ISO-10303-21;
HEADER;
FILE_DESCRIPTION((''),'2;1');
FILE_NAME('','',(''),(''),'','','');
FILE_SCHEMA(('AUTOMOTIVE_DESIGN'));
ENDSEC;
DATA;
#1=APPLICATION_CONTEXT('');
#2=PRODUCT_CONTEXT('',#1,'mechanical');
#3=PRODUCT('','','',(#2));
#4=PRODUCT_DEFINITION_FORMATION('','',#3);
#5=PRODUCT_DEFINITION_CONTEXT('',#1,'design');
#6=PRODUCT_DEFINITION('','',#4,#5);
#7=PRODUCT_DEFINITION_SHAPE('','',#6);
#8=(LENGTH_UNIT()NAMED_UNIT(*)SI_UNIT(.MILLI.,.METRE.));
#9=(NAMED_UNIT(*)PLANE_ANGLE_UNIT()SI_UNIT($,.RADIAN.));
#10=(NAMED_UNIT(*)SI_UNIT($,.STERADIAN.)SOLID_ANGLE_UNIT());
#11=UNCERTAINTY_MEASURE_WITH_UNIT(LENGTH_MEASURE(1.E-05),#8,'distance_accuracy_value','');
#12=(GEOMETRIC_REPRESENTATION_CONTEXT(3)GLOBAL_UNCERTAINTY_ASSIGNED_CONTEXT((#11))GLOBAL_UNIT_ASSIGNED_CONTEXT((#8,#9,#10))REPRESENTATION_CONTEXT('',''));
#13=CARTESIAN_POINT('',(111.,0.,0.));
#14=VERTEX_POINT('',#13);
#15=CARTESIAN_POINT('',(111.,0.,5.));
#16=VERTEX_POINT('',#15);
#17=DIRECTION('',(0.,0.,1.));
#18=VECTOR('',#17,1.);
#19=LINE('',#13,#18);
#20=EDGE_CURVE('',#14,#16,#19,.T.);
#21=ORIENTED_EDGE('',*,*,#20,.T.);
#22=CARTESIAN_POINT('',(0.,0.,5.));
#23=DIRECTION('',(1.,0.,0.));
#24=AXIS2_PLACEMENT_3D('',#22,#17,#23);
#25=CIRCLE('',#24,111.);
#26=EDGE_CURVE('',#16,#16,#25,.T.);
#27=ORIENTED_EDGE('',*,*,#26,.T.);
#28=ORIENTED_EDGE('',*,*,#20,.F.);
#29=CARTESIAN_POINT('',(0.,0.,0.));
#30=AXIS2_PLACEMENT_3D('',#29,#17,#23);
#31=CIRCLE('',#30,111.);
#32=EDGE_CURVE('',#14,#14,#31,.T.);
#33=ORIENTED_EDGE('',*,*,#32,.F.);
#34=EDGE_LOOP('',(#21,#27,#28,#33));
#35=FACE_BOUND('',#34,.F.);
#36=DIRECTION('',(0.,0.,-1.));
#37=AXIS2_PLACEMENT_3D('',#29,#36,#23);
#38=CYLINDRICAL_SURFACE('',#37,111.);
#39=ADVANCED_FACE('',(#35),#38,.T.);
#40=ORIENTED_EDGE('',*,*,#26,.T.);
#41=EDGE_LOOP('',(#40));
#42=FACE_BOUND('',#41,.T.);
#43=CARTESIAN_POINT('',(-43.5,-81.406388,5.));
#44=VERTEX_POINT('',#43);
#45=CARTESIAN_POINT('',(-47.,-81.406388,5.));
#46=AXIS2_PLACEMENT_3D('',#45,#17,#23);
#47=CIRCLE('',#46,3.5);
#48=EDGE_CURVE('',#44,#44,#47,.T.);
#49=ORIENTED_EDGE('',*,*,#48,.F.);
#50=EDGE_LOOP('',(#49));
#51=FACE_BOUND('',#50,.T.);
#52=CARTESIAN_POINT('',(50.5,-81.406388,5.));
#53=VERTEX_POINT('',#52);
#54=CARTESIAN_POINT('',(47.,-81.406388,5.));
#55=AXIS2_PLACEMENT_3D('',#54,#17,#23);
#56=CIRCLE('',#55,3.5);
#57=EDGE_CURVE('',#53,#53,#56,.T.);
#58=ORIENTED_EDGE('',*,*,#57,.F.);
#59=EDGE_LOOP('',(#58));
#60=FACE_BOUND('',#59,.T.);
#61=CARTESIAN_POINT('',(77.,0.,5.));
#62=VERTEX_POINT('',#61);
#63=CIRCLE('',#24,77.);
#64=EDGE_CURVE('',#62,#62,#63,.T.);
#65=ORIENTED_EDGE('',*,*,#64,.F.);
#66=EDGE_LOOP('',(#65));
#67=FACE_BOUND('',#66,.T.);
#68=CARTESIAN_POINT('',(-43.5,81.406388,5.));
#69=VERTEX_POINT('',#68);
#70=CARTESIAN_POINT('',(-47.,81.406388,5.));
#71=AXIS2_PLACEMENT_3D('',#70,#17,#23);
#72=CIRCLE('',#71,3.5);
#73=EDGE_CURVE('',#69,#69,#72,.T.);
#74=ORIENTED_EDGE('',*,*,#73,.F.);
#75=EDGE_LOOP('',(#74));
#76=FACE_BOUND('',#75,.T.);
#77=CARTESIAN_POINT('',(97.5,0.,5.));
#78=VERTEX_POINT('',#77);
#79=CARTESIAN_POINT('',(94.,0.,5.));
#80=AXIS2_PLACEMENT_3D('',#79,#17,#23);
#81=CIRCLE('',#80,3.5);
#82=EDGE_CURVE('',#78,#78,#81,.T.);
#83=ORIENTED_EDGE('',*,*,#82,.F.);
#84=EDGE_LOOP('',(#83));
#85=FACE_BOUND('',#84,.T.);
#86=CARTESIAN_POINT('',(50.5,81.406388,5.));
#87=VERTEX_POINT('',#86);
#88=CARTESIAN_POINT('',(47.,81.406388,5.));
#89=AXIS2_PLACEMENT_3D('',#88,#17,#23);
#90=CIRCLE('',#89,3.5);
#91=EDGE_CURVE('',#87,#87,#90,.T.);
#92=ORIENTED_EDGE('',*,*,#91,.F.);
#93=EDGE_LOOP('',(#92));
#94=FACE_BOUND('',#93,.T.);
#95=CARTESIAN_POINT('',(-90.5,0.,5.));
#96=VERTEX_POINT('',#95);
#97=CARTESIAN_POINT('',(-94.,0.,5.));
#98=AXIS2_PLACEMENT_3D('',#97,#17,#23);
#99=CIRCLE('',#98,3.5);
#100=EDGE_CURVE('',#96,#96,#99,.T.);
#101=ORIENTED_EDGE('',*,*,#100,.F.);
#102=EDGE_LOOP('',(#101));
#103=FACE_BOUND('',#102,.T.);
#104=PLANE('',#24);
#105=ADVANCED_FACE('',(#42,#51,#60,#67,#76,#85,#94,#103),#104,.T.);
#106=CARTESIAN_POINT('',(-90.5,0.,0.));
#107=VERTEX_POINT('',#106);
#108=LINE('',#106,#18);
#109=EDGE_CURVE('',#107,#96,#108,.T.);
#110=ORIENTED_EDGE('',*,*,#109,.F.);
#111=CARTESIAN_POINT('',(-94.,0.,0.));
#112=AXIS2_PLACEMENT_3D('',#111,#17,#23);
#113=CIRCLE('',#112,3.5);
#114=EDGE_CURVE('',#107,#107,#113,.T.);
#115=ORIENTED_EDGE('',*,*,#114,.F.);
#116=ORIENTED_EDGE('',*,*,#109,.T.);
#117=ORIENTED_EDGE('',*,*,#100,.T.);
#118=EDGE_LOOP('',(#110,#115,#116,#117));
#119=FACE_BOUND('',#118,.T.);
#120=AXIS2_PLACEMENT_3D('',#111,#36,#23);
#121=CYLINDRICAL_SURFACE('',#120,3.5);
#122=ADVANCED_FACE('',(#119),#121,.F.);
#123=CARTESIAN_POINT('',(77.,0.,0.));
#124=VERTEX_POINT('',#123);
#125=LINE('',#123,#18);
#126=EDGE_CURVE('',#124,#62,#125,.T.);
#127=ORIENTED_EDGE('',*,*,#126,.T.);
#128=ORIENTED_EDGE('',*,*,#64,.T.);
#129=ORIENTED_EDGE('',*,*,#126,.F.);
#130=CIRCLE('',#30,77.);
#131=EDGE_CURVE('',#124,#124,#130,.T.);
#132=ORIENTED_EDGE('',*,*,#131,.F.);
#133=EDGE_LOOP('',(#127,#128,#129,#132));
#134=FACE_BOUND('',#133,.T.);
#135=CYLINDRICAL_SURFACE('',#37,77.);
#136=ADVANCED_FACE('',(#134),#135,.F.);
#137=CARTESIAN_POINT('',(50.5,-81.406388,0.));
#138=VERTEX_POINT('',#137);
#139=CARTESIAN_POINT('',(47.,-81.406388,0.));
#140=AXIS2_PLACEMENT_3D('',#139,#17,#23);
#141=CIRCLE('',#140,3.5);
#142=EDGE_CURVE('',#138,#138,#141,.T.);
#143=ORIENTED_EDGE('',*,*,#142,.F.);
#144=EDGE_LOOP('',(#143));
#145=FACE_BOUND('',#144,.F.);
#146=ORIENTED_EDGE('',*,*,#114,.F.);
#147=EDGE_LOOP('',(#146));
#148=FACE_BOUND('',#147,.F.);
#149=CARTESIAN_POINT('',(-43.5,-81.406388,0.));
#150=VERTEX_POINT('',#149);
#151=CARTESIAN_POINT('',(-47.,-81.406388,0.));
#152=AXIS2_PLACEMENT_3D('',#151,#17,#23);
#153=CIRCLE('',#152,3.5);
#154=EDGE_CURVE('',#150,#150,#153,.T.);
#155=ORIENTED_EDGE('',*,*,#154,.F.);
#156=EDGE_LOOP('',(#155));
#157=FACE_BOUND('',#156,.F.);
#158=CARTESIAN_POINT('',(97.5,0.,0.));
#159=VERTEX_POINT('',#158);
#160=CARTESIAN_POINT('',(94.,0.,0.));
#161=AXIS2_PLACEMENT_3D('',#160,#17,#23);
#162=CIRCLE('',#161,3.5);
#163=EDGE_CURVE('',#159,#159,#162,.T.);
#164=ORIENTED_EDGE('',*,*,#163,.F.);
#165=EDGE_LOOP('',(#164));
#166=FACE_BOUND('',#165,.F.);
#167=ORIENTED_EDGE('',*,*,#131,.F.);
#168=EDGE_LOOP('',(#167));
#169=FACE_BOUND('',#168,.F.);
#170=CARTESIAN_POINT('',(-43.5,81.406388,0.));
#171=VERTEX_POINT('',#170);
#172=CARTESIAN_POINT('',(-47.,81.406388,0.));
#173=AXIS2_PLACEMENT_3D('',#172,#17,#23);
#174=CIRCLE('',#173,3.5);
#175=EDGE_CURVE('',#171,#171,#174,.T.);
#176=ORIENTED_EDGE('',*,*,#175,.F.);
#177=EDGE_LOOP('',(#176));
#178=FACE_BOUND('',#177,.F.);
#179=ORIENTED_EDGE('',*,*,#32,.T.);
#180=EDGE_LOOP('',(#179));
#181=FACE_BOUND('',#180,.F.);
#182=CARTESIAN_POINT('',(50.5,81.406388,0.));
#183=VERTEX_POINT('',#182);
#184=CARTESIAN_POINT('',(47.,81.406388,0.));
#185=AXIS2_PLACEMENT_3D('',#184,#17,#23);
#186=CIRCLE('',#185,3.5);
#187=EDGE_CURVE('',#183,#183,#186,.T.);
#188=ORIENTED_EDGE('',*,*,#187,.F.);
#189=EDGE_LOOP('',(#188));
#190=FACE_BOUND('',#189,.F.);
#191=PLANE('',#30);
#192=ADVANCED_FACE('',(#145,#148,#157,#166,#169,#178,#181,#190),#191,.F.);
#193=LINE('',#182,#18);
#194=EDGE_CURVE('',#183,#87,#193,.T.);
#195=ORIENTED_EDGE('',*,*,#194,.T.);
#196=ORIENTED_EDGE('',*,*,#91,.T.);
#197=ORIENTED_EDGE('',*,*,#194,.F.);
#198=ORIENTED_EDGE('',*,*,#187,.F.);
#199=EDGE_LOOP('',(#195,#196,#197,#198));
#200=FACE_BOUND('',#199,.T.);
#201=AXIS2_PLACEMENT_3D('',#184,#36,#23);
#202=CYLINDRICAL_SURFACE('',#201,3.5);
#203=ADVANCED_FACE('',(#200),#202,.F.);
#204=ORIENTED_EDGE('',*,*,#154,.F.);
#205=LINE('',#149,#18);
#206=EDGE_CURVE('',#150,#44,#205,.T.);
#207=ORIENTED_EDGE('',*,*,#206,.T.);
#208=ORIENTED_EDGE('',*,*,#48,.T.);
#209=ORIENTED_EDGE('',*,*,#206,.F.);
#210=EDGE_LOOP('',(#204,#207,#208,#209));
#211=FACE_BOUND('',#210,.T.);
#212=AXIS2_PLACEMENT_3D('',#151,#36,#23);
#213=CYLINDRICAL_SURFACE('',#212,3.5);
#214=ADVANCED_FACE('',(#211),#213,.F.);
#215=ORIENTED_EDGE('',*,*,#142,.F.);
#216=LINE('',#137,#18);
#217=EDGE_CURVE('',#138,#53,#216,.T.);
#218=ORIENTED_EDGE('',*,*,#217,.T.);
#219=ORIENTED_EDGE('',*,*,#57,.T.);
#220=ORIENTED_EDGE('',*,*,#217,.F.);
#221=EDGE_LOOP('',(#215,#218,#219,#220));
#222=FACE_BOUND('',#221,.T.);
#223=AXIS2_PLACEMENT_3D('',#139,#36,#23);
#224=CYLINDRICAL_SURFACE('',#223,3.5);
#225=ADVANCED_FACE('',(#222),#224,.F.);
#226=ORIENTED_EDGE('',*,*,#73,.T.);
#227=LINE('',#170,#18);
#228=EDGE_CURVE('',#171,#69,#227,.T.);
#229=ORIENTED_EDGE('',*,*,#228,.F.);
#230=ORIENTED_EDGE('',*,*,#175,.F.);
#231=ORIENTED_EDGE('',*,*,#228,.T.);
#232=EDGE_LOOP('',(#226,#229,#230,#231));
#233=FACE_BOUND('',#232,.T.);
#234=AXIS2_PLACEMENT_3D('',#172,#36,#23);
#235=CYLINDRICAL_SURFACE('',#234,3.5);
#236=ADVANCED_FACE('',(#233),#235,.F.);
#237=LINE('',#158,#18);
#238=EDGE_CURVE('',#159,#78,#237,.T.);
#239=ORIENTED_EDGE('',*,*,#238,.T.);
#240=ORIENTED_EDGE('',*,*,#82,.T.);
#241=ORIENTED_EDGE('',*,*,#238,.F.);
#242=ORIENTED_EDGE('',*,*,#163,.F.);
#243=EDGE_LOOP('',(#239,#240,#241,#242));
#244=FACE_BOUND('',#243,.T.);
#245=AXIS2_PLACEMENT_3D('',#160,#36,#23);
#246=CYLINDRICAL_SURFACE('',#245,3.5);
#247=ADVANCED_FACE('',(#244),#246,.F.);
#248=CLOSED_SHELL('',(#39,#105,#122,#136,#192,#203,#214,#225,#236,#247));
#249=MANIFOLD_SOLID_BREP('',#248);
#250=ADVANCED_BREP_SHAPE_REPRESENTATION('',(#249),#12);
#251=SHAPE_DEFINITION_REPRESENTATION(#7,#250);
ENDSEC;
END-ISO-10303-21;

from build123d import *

# Parameters (mm, degrees)
F0_R     = 111
F0_R_2   = 3.5
F0_R_3   = 77
F1_DEPTH = 5


with BuildPart() as f1:
    # F0 (on Top) → F1 (new body)
    with BuildSketch(Plane.XY):
        Circle(F0_R)
        with Locations((-47, -81.406388)):
            Circle(F0_R_2, mode=Mode.SUBTRACT)
        with Locations((47, -81.406388)):
            Circle(F0_R_2, mode=Mode.SUBTRACT)
        with Locations((-94, 0)):
            Circle(F0_R_2, mode=Mode.SUBTRACT)
        with Locations((-47, 81.406388)):
            Circle(F0_R_2, mode=Mode.SUBTRACT)
        Circle(F0_R_3, mode=Mode.SUBTRACT)
        with Locations((94, 0)):
            Circle(F0_R_2, mode=Mode.SUBTRACT)
        with Locations((47, 81.406388)):
            Circle(F0_R_2, mode=Mode.SUBTRACT)
    extrude(amount=F1_DEPTH)


solid = f1.part
